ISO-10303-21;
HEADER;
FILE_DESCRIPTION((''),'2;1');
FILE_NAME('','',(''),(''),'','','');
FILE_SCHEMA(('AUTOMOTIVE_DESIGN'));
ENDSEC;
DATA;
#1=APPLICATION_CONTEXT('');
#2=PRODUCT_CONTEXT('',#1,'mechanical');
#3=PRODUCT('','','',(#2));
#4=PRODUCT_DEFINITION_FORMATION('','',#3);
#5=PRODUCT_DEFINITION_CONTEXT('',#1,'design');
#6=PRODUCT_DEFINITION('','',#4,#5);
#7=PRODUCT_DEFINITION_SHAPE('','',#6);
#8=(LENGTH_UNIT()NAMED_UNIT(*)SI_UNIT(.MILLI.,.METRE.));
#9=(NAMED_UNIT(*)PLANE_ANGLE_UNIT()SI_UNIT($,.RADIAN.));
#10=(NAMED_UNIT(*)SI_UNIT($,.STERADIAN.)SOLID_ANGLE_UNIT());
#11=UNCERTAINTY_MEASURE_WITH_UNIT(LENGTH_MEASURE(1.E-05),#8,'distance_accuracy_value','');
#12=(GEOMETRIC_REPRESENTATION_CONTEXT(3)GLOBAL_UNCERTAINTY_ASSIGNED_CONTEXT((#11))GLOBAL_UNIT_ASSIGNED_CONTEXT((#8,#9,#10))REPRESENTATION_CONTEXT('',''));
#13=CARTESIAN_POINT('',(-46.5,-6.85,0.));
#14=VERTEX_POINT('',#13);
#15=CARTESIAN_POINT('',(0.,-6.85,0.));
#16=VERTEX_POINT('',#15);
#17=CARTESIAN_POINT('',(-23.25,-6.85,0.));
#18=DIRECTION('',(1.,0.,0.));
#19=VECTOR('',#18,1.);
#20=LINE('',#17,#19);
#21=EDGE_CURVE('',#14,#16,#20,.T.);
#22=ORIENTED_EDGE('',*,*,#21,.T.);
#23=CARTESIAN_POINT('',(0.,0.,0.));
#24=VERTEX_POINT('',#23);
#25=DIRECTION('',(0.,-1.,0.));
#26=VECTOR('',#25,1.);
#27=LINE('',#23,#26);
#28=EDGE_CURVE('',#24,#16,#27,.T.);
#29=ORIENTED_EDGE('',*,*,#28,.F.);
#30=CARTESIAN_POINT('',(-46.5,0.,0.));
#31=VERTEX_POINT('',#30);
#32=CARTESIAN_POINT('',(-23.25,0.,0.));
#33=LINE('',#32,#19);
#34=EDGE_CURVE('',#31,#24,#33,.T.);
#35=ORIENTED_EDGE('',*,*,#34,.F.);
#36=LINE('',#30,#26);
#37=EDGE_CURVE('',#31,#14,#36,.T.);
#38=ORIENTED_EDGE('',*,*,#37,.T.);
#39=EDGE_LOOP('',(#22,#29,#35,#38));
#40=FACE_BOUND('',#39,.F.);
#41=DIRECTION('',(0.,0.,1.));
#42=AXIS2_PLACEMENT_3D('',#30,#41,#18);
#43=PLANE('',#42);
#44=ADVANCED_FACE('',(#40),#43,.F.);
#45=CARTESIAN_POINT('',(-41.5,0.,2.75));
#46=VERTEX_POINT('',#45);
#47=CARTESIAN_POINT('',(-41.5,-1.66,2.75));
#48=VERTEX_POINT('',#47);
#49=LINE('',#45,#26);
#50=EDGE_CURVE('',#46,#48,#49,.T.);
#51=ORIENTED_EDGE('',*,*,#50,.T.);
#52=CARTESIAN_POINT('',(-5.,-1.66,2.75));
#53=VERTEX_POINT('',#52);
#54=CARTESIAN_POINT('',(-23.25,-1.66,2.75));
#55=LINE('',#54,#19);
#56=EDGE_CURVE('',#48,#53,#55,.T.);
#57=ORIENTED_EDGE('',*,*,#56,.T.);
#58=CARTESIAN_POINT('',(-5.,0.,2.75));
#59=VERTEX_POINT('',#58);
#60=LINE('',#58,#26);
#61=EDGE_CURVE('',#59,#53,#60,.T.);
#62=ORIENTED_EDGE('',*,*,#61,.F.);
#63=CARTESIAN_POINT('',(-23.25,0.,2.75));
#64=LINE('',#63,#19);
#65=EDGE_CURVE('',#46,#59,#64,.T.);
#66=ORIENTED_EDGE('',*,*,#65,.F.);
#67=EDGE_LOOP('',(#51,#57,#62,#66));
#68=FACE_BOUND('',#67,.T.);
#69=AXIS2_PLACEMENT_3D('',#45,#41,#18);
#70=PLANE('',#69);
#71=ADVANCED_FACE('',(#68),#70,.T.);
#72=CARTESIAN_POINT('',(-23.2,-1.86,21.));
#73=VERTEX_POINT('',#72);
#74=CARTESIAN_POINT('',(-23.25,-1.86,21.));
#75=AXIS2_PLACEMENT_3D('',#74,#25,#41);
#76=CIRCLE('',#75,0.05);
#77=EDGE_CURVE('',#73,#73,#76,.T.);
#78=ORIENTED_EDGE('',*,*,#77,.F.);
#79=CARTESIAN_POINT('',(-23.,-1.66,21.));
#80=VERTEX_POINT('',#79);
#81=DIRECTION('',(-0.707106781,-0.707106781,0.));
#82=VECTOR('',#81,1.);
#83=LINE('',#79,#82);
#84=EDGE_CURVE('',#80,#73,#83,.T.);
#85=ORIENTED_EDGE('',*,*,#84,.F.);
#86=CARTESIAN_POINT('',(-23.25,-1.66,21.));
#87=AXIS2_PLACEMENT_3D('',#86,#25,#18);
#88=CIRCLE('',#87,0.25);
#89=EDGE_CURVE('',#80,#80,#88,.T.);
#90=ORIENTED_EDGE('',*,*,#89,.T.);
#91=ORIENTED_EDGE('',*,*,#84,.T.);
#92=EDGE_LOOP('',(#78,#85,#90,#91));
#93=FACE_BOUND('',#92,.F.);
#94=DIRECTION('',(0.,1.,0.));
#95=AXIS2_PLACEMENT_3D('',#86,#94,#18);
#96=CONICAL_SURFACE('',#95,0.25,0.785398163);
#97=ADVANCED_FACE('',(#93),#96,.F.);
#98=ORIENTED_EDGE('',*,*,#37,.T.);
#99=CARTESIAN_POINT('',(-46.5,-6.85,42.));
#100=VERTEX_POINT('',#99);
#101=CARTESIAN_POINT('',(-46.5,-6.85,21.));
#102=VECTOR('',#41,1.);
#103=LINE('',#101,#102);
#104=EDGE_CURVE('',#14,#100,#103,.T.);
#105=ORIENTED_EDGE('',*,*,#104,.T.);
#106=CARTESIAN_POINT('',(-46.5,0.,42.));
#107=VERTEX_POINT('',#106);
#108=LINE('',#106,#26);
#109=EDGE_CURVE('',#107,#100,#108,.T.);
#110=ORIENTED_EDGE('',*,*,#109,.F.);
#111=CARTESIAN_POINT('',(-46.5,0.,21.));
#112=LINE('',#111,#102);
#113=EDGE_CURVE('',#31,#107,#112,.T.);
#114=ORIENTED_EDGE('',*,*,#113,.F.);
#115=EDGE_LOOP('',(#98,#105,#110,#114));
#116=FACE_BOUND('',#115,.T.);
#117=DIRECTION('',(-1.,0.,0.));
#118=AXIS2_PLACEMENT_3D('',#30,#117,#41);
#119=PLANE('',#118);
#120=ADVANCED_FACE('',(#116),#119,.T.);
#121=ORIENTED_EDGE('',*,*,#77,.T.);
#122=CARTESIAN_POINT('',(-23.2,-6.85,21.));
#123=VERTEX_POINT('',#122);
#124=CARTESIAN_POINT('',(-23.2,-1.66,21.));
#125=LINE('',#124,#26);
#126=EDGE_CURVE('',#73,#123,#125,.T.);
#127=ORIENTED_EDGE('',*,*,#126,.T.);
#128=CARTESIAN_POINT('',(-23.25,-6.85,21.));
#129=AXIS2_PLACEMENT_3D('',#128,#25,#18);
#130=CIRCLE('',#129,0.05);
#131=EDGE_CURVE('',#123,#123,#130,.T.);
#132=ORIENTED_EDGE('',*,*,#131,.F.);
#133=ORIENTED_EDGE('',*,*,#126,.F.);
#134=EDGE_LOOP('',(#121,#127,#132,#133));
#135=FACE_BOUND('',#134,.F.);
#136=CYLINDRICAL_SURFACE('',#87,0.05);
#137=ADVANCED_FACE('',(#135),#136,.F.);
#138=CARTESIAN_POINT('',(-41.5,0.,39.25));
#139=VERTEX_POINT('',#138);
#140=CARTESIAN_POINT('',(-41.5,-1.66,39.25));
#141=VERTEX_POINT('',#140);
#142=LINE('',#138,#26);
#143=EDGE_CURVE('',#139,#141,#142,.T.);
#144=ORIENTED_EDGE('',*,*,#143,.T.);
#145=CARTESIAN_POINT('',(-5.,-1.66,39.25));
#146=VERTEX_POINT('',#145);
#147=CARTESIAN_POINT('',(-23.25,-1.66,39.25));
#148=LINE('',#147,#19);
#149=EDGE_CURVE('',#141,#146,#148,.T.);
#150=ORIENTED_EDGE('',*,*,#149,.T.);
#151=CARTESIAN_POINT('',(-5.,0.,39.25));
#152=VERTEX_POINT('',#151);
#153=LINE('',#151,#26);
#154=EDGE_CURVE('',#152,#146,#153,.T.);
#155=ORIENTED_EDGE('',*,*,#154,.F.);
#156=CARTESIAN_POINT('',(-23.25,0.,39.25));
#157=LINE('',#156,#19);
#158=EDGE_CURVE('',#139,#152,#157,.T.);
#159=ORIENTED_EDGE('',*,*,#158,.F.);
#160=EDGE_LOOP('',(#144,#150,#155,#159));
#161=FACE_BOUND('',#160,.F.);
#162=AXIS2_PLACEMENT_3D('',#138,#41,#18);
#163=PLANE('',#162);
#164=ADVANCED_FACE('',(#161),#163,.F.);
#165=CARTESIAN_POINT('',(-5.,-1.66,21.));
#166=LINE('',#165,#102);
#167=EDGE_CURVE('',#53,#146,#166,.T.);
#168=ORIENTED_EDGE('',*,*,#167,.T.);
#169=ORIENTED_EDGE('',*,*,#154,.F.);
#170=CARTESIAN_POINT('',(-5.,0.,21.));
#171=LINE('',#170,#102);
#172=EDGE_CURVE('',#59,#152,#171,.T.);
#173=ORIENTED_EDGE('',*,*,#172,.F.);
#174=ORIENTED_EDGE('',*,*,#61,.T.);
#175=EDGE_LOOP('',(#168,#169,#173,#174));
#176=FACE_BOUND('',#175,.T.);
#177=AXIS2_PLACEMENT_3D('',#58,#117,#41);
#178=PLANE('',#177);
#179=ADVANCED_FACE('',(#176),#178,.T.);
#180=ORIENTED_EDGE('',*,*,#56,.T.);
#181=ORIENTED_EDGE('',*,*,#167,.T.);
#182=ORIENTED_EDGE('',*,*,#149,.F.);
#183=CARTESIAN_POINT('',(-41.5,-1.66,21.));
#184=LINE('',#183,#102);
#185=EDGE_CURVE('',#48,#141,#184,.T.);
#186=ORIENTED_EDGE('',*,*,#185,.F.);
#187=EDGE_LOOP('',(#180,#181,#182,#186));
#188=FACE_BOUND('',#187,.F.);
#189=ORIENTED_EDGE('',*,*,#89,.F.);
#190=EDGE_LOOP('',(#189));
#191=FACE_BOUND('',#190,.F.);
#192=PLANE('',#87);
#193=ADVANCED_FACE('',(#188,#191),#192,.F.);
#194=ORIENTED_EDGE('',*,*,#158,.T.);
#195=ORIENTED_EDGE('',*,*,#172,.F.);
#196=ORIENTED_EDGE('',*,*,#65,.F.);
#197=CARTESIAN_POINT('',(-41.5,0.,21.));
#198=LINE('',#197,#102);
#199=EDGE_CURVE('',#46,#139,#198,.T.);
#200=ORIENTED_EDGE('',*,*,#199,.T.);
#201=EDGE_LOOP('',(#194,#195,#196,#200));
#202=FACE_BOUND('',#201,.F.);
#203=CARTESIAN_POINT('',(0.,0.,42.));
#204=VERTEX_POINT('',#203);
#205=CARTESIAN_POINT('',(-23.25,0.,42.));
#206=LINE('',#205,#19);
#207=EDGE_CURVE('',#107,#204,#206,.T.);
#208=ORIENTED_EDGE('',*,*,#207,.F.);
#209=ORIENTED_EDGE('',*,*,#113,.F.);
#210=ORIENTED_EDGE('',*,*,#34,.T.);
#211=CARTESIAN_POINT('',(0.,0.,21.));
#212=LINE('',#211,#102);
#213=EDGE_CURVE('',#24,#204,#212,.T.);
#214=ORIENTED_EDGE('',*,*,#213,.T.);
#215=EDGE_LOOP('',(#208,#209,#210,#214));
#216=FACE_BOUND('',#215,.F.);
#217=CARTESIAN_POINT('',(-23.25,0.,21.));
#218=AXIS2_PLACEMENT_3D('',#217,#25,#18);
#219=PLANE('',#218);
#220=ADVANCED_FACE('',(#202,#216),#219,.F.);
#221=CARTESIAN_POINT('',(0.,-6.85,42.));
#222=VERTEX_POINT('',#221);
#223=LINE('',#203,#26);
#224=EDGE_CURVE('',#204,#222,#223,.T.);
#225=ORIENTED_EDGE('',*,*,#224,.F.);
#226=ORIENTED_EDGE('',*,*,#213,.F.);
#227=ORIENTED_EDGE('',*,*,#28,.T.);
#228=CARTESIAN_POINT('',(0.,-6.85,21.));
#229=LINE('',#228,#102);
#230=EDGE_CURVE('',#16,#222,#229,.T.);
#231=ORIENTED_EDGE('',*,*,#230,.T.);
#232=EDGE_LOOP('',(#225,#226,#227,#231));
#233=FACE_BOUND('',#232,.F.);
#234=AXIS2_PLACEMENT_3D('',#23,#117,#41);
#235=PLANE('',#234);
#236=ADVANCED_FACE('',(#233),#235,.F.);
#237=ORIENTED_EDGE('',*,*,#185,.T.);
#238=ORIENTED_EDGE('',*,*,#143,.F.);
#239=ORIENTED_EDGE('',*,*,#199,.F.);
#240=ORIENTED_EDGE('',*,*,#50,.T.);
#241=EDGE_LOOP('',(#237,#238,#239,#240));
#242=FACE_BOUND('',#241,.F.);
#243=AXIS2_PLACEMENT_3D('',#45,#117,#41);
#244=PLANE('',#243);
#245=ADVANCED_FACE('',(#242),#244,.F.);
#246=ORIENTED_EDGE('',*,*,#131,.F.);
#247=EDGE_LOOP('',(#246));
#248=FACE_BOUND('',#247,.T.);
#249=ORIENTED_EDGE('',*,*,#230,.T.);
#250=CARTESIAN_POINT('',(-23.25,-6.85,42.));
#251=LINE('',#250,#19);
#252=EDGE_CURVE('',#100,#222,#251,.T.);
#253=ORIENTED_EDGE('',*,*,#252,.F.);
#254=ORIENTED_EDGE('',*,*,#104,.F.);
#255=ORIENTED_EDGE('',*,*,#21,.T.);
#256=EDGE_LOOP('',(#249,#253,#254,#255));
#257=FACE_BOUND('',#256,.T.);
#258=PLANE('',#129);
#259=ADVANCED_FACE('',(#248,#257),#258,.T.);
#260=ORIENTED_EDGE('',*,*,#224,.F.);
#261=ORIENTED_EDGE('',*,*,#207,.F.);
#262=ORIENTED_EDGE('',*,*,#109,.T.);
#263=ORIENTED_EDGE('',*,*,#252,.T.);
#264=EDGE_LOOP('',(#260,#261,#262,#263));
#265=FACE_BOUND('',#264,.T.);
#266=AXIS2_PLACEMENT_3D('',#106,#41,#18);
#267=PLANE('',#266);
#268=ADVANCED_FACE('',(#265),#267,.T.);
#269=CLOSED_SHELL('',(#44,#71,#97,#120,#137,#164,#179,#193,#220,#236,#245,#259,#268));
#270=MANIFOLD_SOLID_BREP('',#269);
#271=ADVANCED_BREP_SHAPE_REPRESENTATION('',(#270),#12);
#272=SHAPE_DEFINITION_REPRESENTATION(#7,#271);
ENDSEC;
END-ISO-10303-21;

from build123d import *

# Parameters (mm, degrees)
F0_W           = 46.5
F0_H           = 42
F0_W_2         = 36.5
F0_H_2         = 36.5
F1_DEPTH       = 6.85
F2_DEPTH       = 1.66
F4_D           = 0.1
F4_CSINK_D     = 0.5
F4_CSINK_ANGLE = 90


with BuildPart() as f1:
    # F0 (on Front) → F1 (new body)
    with BuildSketch(Plane.XZ):
        with Locations((-23.25, 21)):
            Rectangle(F0_W, F0_H)
        with Locations((-23.25, 21)):
            Rectangle(F0_W_2, F0_H_2, mode=Mode.SUBTRACT)
        with Locations((-23.25, 21)):
            Rectangle(F0_W_2, F0_H_2)
    extrude(amount=F1_DEPTH)

    # F0 (on Front) → F2 (cut)
    with BuildSketch(Plane.XZ):
        with Locations((-23.25, 21)):
            Rectangle(F0_W_2, F0_H_2)
    extrude(amount=F2_DEPTH, mode=Mode.SUBTRACT)

    # F4 (through all)
    with Locations(Plane(origin=(0, -1.66, 0), x_dir=(-1, 0, 0), z_dir=(0, 1, 0))):
        with Locations((23.25, 21)):
            CounterSinkHole(F4_D / 2, F4_CSINK_D / 2, counter_sink_angle=F4_CSINK_ANGLE)


solid = f1.part
